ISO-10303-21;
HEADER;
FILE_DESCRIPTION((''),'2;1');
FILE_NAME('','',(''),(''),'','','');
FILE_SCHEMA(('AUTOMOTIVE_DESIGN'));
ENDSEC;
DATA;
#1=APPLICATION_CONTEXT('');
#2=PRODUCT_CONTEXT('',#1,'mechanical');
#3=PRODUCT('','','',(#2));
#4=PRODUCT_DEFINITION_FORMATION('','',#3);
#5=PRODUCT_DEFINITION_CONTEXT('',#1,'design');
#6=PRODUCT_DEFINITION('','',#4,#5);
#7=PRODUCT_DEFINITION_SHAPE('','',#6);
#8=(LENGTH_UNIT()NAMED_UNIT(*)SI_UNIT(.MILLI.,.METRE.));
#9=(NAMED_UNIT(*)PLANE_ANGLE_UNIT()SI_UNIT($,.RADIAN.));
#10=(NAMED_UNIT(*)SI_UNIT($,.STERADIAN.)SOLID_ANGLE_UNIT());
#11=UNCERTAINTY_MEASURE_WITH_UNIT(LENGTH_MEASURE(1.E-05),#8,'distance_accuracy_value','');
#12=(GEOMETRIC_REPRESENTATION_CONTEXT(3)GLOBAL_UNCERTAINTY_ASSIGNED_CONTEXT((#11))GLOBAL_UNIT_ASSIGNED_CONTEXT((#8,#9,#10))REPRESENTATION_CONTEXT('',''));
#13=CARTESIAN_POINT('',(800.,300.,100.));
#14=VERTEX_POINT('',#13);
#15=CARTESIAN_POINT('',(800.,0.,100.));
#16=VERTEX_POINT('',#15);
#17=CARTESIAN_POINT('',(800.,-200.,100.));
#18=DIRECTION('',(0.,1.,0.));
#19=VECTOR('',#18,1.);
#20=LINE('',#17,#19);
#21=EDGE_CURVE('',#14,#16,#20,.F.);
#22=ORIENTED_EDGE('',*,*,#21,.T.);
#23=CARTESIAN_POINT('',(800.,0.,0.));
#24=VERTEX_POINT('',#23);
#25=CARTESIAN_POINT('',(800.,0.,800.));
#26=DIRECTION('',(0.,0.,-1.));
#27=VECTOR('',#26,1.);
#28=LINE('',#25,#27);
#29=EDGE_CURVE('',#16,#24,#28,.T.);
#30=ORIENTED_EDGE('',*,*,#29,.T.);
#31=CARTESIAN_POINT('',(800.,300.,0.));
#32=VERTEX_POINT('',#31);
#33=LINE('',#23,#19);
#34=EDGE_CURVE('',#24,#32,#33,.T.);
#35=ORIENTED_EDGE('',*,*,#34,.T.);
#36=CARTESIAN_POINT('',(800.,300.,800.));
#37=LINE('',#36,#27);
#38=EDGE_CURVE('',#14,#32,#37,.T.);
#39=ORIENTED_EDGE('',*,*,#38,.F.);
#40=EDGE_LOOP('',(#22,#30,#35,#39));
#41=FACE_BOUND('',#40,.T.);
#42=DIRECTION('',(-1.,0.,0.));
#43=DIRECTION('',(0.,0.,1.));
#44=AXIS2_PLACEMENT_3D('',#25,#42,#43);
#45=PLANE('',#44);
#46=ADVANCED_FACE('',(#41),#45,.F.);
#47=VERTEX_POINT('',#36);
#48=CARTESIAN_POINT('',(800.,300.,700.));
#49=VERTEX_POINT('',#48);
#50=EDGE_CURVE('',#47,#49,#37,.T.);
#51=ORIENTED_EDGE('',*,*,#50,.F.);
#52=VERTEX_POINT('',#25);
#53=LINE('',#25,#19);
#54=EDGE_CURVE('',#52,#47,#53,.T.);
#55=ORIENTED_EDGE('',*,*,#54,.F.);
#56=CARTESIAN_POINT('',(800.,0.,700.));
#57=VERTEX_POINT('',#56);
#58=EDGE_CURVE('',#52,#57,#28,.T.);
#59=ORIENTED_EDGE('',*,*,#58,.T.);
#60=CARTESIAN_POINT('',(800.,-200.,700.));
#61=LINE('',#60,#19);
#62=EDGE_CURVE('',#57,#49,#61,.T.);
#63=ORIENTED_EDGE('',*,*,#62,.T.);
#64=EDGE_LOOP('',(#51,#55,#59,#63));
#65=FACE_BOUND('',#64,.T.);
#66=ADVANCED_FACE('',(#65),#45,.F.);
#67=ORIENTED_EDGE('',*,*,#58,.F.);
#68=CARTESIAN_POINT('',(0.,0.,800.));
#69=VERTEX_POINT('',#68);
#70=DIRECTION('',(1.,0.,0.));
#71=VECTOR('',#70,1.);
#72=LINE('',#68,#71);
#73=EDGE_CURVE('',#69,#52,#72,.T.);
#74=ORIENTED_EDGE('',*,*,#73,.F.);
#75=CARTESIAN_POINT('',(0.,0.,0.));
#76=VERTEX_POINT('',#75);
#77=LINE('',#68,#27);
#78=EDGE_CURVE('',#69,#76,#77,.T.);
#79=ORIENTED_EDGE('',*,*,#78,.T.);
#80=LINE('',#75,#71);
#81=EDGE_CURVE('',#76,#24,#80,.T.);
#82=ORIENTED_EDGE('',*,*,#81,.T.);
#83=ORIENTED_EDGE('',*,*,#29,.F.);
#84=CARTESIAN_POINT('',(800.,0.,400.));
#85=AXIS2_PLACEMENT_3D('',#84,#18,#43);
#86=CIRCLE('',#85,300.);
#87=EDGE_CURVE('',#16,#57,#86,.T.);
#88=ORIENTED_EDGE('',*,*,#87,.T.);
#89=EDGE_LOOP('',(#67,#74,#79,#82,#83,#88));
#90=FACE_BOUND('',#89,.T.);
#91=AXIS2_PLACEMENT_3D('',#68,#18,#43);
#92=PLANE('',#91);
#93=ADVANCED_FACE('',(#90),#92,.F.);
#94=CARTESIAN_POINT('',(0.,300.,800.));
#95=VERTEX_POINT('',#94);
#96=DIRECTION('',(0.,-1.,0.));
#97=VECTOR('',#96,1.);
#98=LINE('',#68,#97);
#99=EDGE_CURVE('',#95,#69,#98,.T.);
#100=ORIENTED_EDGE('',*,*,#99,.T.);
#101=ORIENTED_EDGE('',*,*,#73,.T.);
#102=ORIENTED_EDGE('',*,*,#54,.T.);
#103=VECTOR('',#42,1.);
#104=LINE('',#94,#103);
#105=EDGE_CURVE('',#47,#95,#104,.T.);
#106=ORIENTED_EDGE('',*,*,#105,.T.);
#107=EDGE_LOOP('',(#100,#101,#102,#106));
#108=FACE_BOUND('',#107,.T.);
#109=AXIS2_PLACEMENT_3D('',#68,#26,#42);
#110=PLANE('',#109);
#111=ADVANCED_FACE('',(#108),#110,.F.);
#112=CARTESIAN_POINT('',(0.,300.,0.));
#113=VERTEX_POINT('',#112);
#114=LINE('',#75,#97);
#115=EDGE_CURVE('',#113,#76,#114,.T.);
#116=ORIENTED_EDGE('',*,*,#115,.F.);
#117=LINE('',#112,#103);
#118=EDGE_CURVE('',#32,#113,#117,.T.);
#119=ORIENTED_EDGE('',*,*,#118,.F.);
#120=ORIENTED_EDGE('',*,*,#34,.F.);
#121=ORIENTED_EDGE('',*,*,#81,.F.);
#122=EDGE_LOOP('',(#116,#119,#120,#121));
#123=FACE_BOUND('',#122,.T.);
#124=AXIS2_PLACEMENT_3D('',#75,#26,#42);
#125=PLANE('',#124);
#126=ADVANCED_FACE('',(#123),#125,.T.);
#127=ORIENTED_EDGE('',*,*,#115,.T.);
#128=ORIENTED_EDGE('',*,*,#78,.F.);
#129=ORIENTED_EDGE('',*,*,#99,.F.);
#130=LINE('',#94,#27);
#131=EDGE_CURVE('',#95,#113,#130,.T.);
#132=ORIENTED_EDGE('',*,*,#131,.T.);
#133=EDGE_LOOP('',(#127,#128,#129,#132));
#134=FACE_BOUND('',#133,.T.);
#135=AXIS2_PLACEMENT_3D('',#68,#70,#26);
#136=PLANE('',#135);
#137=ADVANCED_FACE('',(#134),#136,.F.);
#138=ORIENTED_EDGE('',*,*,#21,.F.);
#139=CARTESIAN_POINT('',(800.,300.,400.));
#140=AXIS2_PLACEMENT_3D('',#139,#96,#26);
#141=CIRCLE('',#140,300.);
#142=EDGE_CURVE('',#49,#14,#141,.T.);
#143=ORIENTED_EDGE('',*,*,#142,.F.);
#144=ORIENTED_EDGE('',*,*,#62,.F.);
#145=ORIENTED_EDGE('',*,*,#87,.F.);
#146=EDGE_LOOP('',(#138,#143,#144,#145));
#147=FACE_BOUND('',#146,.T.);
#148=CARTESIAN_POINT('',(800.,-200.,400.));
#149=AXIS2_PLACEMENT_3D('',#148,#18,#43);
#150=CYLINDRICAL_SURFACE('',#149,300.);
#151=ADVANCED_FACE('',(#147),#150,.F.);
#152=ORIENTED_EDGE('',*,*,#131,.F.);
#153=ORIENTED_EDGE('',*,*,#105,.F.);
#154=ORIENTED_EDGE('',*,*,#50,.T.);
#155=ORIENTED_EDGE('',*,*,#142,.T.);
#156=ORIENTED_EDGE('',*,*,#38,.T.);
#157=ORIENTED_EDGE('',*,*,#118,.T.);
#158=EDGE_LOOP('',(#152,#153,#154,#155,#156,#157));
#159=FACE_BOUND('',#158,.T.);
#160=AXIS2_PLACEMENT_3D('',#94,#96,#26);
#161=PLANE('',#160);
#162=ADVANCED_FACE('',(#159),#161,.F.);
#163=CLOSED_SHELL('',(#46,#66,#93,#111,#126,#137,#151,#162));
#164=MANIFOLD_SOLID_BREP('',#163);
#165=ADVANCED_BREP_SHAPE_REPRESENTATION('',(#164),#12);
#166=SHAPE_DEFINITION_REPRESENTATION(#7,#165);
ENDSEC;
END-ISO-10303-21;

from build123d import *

# Parameters (mm, degrees)
SKETCH1_W           = 800
SKETCH1_H           = 300
BOSS_EXTRUDE1_DEPTH = 800
SKETCH2_R           = 300
CUT_EXTRUDE1_DEPTH  = 500


with BuildPart() as part:
    # Sketch1 → Boss-Extrude1 (new body)
    with BuildSketch(Plane.XY):
        with Locations((400, 150)):
            Rectangle(SKETCH1_W, SKETCH1_H)
    extrude(amount=BOSS_EXTRUDE1_DEPTH)

    # Sketch2 → Cut-Extrude1 (cut)
    with BuildSketch(Plane(origin=(0, 300, 0), x_dir=(1, 0, 0), z_dir=(0, 1, 0))):
        with Locations((800, -400)):
            Circle(SKETCH2_R)
    extrude(amount=-CUT_EXTRUDE1_DEPTH, mode=Mode.SUBTRACT)


solid = part.part
